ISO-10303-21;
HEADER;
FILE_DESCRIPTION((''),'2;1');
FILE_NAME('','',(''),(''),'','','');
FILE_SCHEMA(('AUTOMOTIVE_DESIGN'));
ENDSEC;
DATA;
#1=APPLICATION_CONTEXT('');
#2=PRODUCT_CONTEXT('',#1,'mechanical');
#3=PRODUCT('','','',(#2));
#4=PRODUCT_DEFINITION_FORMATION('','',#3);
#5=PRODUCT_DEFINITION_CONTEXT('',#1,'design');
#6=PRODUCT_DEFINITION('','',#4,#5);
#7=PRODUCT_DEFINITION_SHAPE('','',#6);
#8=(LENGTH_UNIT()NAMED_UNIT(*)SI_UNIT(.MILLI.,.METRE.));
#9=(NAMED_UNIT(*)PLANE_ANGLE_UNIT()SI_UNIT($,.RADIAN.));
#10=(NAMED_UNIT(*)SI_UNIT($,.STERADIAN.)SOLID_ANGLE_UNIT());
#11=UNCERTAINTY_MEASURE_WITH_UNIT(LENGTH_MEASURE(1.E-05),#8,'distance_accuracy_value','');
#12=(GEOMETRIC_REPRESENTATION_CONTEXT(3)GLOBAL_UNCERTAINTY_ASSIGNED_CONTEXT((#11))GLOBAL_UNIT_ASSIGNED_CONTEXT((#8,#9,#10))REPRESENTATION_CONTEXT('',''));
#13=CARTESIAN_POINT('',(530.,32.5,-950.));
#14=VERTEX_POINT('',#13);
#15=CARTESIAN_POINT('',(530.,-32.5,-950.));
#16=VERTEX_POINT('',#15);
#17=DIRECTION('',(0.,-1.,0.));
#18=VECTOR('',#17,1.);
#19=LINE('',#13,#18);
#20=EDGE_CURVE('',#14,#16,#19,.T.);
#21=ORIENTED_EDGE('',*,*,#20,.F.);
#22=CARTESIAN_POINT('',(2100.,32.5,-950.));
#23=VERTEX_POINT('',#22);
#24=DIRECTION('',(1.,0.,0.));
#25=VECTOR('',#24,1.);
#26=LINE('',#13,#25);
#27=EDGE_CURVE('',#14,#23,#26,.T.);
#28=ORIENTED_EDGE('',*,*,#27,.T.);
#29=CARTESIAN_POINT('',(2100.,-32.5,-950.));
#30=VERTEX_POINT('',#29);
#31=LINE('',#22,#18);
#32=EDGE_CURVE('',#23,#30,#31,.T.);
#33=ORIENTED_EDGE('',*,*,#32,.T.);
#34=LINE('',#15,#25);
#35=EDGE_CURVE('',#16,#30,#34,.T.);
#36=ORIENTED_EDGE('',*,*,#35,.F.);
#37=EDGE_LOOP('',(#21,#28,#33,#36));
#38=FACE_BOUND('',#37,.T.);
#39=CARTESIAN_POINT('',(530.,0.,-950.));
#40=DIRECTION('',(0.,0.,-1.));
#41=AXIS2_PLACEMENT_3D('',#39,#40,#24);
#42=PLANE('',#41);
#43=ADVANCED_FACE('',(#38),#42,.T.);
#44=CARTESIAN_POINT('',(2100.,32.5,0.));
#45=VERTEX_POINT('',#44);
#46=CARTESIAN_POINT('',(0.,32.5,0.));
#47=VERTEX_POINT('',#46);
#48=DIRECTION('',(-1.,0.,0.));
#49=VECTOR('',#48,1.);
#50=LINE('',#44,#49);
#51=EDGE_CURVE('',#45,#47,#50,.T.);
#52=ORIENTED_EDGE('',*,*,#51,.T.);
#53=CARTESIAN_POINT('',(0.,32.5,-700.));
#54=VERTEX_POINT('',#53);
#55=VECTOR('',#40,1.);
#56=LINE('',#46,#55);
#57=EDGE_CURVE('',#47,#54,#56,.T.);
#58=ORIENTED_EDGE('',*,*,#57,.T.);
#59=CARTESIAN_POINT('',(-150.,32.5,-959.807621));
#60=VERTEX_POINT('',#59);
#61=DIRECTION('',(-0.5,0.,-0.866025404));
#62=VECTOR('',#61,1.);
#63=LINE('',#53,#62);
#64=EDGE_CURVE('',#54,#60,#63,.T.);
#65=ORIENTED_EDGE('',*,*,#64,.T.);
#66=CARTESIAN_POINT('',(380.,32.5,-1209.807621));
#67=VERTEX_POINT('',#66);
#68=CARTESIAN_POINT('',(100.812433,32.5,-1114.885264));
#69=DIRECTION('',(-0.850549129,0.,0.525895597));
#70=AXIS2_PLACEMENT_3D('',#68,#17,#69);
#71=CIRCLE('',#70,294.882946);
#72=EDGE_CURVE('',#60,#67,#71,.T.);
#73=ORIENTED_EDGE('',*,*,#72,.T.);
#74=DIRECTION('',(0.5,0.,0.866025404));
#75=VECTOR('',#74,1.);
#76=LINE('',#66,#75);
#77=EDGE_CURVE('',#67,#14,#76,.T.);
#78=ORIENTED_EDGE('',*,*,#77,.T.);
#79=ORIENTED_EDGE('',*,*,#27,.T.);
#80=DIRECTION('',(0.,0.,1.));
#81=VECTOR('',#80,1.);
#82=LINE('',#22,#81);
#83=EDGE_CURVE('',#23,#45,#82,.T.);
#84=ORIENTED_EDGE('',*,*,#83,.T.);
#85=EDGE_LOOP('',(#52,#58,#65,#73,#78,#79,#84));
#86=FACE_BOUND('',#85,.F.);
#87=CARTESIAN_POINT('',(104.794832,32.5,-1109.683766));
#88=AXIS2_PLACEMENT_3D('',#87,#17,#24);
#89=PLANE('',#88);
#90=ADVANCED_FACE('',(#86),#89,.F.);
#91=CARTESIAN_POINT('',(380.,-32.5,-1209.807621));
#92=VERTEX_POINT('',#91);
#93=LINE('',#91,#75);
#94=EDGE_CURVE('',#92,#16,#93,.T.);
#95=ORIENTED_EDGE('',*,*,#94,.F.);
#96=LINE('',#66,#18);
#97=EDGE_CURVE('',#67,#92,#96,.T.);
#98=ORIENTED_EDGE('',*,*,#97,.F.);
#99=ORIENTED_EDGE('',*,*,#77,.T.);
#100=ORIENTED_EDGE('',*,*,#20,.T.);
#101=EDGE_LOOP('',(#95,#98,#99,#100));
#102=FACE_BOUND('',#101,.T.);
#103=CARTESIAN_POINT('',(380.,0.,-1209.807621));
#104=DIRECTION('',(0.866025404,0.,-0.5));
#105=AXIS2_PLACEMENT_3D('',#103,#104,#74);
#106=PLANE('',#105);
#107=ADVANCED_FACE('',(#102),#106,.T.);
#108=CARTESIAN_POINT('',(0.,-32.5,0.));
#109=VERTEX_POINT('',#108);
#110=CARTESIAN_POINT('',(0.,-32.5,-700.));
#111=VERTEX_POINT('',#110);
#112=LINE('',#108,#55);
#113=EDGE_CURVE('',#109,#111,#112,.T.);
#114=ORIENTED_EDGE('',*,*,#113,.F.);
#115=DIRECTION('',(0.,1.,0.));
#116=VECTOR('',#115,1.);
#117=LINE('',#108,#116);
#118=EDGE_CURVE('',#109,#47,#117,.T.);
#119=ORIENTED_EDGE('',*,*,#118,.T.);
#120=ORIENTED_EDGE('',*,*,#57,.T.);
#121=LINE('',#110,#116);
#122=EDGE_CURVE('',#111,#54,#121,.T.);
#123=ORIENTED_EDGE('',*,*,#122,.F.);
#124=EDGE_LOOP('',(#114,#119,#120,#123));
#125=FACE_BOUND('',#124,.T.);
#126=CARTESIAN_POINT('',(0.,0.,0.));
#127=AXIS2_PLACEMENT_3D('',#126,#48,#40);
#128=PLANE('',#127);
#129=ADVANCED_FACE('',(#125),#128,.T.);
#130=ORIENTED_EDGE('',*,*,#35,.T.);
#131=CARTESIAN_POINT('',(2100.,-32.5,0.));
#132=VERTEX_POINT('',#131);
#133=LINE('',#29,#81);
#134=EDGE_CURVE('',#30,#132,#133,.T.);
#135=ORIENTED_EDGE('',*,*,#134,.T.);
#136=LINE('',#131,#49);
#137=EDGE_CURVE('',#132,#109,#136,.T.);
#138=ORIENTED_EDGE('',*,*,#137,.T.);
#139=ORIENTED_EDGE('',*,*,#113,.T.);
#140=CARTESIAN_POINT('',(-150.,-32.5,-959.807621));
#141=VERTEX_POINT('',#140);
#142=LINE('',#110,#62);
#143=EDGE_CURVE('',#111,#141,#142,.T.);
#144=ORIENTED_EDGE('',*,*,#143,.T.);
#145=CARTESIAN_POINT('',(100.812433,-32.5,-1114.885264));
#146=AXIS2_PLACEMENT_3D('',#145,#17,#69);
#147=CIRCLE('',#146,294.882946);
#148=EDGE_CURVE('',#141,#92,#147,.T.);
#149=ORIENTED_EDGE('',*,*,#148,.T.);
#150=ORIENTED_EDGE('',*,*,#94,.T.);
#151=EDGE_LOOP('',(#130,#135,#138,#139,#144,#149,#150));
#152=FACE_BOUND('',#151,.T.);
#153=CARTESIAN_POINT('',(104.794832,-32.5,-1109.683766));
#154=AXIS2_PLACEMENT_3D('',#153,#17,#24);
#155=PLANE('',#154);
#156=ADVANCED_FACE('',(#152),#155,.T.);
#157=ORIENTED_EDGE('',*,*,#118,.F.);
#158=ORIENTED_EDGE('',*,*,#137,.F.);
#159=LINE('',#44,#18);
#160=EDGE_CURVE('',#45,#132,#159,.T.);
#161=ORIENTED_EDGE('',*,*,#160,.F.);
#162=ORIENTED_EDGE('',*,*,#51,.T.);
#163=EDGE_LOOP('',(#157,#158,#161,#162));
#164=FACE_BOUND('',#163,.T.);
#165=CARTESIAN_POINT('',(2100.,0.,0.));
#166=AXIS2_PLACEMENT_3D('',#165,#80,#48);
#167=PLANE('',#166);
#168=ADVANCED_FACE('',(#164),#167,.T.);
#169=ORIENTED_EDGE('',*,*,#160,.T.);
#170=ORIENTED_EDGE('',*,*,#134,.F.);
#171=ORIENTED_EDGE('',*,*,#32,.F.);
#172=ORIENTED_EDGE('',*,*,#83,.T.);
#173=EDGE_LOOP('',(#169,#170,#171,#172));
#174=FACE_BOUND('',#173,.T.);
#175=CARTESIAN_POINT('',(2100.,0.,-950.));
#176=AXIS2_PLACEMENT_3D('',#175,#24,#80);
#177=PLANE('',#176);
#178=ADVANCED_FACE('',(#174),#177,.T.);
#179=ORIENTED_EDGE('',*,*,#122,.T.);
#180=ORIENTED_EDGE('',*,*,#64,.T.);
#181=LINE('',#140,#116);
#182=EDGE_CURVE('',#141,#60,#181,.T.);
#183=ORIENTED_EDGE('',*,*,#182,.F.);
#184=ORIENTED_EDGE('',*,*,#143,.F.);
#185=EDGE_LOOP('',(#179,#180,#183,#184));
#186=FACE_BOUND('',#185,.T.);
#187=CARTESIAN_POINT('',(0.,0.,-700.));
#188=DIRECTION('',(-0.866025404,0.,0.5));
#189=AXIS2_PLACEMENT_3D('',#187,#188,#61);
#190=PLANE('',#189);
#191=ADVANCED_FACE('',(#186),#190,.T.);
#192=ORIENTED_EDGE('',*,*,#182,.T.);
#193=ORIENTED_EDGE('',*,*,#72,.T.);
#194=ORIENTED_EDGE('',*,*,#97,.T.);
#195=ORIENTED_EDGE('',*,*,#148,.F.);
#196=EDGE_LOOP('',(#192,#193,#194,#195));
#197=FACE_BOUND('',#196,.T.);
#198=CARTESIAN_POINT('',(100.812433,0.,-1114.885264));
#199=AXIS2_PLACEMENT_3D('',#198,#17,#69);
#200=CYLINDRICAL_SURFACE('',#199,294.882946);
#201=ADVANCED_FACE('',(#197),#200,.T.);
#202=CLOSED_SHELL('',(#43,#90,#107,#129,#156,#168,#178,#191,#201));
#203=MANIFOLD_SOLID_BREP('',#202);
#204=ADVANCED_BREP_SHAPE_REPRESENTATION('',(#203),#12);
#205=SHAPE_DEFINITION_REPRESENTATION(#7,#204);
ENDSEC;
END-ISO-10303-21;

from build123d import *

# Parameters (mm, degrees)
F1_DEPTH = 32.5


with BuildPart() as f1:
    # F0 (on Front) → F1 (new body, symmetric)
    with BuildSketch(Plane.XZ):
        with BuildLine():
            ThreePointArc((395.695378, -1114.885264), (181.421498, -831.23384), (-150, -959.807621))
            ThreePointArc((-150, -959.807621), (-24.990139, -1381.586716), (380, -1209.807621))
            ThreePointArc((380, -1209.807621), (391.745074, -1162.990874), (395.695378, -1114.885264))
        make_face()
        with BuildLine():
            Line((2100, 0), (0, 0))
            Line((0, 0), (0, -700))
            Line((0, -700), (-150, -959.807621))
            ThreePointArc((-150, -959.807621), (181.421498, -831.23384), (395.695378, -1114.885264))
            ThreePointArc((395.695378, -1114.885264), (391.745074, -1162.990874), (380, -1209.807621))
            Line((380, -1209.807621), (530, -950))
            Line((530, -950), (2100, -950))
            Line((2100, -950), (2100, 0))
        make_face()
    extrude(amount=F1_DEPTH, both=True)


solid = f1.part
